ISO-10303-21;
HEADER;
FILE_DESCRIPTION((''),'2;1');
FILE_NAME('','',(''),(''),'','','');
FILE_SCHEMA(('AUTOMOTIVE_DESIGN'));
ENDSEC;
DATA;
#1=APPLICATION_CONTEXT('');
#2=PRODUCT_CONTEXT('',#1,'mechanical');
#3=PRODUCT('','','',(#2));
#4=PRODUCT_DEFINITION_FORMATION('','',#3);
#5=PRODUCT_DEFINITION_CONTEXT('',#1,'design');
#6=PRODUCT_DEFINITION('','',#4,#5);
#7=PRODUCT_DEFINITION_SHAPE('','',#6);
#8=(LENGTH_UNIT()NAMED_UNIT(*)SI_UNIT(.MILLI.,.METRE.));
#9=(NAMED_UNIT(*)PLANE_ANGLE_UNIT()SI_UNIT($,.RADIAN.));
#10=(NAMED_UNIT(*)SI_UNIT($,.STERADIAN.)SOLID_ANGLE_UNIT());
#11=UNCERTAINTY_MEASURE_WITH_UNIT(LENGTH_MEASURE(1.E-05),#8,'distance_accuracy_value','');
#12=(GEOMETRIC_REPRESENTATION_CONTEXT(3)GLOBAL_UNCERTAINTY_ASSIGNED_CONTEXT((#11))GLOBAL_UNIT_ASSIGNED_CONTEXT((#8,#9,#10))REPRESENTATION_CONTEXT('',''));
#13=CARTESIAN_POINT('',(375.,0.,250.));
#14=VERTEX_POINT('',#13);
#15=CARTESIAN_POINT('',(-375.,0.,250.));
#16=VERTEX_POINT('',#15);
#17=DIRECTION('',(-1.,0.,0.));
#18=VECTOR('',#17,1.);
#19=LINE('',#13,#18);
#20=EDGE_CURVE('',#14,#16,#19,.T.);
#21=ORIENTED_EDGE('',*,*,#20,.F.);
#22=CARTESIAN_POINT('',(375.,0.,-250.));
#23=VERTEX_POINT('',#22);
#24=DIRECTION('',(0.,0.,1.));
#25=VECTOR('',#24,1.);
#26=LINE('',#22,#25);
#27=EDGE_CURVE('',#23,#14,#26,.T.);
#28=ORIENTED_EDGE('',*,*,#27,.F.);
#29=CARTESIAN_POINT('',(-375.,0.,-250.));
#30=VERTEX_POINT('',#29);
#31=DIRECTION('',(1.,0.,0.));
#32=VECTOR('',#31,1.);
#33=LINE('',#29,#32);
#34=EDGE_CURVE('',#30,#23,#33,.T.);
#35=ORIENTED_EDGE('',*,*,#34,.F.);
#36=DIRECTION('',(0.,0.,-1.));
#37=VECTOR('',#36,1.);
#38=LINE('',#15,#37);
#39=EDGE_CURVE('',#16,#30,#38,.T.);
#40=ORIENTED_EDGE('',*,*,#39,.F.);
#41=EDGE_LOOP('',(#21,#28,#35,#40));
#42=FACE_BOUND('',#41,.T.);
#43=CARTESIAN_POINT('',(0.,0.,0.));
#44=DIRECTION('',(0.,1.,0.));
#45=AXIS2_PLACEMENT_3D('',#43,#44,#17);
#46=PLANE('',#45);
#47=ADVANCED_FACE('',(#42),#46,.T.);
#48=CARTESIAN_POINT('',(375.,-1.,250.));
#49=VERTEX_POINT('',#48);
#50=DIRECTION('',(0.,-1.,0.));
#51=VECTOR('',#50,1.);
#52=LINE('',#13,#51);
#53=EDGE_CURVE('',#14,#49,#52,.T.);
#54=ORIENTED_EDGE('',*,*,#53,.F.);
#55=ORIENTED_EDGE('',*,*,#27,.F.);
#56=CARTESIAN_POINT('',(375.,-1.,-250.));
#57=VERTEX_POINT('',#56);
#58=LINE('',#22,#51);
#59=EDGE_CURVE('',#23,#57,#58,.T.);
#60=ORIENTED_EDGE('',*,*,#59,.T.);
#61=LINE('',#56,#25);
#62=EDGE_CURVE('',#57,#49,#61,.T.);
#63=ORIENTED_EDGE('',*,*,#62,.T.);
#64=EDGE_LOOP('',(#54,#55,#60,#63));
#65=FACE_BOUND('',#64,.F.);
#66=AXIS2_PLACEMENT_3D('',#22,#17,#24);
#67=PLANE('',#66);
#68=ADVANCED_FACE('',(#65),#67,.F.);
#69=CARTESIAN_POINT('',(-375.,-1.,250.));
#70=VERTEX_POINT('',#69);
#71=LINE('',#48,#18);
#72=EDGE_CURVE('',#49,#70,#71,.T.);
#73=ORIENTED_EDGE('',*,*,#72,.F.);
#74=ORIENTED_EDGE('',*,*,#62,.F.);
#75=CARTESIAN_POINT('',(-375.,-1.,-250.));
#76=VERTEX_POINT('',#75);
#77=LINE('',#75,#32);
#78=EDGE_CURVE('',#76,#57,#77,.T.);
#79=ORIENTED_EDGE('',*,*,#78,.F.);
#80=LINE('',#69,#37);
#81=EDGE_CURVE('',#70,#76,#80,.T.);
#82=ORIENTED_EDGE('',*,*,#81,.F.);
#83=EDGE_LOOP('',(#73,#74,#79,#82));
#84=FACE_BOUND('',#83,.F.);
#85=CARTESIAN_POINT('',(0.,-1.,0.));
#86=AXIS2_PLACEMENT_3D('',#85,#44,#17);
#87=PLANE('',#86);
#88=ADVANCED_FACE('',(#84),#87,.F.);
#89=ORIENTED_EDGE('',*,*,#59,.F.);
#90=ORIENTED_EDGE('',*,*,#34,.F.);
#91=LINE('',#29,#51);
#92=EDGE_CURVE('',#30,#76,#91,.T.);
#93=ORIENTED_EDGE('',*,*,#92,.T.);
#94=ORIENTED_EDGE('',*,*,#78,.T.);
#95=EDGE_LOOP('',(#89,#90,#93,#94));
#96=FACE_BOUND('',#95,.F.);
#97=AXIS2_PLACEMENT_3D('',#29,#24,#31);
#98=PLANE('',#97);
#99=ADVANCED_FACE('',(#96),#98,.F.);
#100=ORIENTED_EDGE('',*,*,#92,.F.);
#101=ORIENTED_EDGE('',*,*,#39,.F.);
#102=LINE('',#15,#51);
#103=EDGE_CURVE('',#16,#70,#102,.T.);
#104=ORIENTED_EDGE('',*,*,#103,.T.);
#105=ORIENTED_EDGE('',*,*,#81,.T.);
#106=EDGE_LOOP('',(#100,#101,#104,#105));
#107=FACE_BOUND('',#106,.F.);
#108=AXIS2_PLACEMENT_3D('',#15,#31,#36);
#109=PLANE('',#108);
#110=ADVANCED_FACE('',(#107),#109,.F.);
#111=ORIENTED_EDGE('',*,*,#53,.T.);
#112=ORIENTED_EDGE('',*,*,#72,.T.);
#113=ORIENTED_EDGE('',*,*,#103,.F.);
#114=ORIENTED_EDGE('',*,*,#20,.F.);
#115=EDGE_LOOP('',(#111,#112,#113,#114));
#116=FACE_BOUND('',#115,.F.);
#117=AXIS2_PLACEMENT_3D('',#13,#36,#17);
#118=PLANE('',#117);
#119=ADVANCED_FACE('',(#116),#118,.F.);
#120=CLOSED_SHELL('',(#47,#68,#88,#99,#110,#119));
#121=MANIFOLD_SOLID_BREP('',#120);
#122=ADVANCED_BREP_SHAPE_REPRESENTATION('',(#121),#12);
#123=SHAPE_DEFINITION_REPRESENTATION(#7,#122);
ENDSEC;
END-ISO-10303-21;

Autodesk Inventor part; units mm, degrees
ref_plane "YZ Plane" through (0, 0, 0) normal (1, 0, 0) x (0, 1, 0)
ref_plane "XZ Plane" through (0, 0, 0) normal (0, 1, 0) x (-1, 0, 0)
ref_plane "XY Plane" through (0, 0, 0) normal (0, 0, 1) x (1, 0, 0)
sketch "Sketch1" plane through (0, 0, 0) normal (0, 1, 0) x (-1, 0, 0)
  line L0 (375, -250) -> (-375, -250)
  line L1 (-375, -250) -> (-375, 250)
  line L2 (-375, 250) -> (375, 250)
  line L3 (375, 250) -> (375, -250)
  point P0 (0, 0)
  dimension "d0" = 750
  dimension "d1" = 500
  dimension "d2" = 250
  dimension "d3" = 375
extrude "Extrusion1" add sketch "Sketch1" against normal blind 1
